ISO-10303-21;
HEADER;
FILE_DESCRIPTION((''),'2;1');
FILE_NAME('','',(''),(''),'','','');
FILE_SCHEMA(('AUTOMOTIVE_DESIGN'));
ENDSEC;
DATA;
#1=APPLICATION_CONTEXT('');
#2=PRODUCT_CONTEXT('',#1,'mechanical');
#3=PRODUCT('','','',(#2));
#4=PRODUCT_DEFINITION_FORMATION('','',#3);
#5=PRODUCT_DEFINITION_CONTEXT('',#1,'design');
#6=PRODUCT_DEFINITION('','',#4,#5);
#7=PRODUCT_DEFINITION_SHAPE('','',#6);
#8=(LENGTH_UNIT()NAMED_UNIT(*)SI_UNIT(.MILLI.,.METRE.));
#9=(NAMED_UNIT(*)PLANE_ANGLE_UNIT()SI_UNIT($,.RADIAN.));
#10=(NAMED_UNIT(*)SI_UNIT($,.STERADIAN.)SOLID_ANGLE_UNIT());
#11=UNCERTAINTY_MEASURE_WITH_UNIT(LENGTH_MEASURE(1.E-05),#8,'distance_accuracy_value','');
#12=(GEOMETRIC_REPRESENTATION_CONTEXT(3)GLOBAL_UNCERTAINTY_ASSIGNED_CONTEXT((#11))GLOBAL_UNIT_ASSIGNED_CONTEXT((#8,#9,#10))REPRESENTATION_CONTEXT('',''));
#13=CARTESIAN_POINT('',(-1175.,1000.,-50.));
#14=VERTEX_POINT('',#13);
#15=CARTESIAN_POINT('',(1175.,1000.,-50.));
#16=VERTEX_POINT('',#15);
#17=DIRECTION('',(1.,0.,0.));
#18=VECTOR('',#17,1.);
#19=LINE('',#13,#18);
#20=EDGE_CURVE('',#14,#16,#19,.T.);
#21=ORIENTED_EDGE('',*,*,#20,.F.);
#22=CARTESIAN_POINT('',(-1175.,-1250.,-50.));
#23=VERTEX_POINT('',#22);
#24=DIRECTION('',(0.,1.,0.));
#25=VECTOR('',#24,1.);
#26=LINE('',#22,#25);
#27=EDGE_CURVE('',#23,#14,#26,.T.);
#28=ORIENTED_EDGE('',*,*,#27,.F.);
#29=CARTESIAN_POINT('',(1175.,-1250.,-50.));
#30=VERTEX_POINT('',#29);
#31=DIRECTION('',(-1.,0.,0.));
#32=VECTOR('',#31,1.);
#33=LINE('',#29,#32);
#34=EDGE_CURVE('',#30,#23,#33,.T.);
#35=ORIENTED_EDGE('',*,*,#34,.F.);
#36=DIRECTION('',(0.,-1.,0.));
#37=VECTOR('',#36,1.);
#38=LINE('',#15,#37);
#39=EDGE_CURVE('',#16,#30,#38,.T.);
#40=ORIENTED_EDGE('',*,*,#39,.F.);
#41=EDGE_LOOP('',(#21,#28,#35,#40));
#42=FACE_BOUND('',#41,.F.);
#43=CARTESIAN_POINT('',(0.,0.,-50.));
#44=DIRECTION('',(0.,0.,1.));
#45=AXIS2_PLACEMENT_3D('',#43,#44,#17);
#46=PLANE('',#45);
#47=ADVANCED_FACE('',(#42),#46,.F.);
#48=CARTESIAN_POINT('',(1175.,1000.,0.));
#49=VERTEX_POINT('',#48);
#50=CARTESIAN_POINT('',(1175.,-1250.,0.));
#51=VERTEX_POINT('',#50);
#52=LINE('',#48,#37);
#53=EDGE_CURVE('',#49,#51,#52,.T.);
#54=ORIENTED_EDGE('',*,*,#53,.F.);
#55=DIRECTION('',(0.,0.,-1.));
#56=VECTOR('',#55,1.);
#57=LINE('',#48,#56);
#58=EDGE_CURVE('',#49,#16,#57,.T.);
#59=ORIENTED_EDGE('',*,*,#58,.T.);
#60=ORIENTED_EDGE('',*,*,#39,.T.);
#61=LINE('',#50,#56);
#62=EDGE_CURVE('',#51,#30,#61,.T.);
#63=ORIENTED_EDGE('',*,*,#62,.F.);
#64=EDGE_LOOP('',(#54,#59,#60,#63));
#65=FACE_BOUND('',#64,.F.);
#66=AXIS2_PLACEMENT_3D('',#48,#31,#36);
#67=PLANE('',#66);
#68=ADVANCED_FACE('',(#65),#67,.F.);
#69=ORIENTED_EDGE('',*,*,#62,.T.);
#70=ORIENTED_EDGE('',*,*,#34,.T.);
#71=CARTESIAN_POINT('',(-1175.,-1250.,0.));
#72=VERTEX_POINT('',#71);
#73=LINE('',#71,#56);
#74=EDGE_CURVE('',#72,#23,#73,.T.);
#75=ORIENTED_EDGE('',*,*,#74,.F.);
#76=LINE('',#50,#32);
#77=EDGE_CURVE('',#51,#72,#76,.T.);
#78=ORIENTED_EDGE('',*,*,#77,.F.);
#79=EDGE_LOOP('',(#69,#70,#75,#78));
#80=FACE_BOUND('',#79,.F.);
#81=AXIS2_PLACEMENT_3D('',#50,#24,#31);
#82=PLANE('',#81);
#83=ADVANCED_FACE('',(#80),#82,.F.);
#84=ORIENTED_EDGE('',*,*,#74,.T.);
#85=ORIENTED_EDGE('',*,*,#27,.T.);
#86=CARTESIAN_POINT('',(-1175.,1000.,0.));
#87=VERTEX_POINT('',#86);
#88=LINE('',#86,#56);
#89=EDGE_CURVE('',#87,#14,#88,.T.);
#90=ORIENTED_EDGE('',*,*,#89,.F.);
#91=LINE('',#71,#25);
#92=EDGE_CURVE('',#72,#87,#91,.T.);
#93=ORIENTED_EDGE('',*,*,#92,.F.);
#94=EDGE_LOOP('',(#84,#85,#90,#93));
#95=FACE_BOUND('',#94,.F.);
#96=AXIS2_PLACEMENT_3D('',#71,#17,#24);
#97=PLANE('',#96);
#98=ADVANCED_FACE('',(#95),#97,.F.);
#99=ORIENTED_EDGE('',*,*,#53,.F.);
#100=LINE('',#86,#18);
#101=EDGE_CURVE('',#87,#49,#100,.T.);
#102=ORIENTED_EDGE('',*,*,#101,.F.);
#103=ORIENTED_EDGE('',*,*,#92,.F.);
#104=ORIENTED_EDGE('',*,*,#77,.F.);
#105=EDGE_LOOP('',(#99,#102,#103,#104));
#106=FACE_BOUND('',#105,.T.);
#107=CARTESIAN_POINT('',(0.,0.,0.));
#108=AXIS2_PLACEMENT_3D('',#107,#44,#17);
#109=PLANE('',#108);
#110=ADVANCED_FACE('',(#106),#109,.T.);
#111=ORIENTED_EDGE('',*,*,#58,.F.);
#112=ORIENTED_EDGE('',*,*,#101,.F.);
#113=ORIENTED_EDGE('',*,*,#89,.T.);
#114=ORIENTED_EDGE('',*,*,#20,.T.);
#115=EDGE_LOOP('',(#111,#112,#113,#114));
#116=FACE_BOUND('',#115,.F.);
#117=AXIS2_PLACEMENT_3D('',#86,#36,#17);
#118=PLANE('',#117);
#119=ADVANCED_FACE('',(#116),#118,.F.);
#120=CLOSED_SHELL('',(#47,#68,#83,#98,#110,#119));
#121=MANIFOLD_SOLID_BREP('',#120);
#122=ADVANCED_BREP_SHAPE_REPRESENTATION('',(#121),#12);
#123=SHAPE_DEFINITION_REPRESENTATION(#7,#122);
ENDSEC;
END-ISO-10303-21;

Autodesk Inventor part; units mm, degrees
ref_plane "YZ Plane" through (0, 0, 0) normal (1, 0, 0) x (0, 1, 0)
ref_plane "XZ Plane" through (0, 0, 0) normal (0, 1, 0) x (-1, 0, 0)
ref_plane "XY Plane" through (0, 0, 0) normal (0, 0, 1) x (1, 0, 0)
sketch "Sketch1" plane through (0, 0, 0) normal (0, 0, 1) x (1, 0, 0)
  line L0 (-1175, 1000) -> (1175, 1000)
  line L1 (1175, 1000) -> (1175, -1250)
  line L2 (1175, -1250) -> (-1175, -1250)
  line L3 (-1175, -1250) -> (-1175, 1000)
  line L4 (-1175, 1000) -> (1175, -1250) construction
  line L5 (1175, 1000) -> (-1175, -1250) construction
  point P0 (0, 0)
  point P1 (0, -125)
  dimension "d1" = 2350
  dimension "d5" = 1250
  dimension "d6" = 1000
extrude "Extrusion1" add sketch "Sketch1" against normal blind 50
sketch3d "3D Sketch1"
equation "\"d11\" = d10"
equation "\"d15\" = 0.25 * d18"
equation "\"d17\" = d15"
equation "\"d10\" = 600"
equation "\"d18\" = 2250"
properties part number "DF frame sketch"
